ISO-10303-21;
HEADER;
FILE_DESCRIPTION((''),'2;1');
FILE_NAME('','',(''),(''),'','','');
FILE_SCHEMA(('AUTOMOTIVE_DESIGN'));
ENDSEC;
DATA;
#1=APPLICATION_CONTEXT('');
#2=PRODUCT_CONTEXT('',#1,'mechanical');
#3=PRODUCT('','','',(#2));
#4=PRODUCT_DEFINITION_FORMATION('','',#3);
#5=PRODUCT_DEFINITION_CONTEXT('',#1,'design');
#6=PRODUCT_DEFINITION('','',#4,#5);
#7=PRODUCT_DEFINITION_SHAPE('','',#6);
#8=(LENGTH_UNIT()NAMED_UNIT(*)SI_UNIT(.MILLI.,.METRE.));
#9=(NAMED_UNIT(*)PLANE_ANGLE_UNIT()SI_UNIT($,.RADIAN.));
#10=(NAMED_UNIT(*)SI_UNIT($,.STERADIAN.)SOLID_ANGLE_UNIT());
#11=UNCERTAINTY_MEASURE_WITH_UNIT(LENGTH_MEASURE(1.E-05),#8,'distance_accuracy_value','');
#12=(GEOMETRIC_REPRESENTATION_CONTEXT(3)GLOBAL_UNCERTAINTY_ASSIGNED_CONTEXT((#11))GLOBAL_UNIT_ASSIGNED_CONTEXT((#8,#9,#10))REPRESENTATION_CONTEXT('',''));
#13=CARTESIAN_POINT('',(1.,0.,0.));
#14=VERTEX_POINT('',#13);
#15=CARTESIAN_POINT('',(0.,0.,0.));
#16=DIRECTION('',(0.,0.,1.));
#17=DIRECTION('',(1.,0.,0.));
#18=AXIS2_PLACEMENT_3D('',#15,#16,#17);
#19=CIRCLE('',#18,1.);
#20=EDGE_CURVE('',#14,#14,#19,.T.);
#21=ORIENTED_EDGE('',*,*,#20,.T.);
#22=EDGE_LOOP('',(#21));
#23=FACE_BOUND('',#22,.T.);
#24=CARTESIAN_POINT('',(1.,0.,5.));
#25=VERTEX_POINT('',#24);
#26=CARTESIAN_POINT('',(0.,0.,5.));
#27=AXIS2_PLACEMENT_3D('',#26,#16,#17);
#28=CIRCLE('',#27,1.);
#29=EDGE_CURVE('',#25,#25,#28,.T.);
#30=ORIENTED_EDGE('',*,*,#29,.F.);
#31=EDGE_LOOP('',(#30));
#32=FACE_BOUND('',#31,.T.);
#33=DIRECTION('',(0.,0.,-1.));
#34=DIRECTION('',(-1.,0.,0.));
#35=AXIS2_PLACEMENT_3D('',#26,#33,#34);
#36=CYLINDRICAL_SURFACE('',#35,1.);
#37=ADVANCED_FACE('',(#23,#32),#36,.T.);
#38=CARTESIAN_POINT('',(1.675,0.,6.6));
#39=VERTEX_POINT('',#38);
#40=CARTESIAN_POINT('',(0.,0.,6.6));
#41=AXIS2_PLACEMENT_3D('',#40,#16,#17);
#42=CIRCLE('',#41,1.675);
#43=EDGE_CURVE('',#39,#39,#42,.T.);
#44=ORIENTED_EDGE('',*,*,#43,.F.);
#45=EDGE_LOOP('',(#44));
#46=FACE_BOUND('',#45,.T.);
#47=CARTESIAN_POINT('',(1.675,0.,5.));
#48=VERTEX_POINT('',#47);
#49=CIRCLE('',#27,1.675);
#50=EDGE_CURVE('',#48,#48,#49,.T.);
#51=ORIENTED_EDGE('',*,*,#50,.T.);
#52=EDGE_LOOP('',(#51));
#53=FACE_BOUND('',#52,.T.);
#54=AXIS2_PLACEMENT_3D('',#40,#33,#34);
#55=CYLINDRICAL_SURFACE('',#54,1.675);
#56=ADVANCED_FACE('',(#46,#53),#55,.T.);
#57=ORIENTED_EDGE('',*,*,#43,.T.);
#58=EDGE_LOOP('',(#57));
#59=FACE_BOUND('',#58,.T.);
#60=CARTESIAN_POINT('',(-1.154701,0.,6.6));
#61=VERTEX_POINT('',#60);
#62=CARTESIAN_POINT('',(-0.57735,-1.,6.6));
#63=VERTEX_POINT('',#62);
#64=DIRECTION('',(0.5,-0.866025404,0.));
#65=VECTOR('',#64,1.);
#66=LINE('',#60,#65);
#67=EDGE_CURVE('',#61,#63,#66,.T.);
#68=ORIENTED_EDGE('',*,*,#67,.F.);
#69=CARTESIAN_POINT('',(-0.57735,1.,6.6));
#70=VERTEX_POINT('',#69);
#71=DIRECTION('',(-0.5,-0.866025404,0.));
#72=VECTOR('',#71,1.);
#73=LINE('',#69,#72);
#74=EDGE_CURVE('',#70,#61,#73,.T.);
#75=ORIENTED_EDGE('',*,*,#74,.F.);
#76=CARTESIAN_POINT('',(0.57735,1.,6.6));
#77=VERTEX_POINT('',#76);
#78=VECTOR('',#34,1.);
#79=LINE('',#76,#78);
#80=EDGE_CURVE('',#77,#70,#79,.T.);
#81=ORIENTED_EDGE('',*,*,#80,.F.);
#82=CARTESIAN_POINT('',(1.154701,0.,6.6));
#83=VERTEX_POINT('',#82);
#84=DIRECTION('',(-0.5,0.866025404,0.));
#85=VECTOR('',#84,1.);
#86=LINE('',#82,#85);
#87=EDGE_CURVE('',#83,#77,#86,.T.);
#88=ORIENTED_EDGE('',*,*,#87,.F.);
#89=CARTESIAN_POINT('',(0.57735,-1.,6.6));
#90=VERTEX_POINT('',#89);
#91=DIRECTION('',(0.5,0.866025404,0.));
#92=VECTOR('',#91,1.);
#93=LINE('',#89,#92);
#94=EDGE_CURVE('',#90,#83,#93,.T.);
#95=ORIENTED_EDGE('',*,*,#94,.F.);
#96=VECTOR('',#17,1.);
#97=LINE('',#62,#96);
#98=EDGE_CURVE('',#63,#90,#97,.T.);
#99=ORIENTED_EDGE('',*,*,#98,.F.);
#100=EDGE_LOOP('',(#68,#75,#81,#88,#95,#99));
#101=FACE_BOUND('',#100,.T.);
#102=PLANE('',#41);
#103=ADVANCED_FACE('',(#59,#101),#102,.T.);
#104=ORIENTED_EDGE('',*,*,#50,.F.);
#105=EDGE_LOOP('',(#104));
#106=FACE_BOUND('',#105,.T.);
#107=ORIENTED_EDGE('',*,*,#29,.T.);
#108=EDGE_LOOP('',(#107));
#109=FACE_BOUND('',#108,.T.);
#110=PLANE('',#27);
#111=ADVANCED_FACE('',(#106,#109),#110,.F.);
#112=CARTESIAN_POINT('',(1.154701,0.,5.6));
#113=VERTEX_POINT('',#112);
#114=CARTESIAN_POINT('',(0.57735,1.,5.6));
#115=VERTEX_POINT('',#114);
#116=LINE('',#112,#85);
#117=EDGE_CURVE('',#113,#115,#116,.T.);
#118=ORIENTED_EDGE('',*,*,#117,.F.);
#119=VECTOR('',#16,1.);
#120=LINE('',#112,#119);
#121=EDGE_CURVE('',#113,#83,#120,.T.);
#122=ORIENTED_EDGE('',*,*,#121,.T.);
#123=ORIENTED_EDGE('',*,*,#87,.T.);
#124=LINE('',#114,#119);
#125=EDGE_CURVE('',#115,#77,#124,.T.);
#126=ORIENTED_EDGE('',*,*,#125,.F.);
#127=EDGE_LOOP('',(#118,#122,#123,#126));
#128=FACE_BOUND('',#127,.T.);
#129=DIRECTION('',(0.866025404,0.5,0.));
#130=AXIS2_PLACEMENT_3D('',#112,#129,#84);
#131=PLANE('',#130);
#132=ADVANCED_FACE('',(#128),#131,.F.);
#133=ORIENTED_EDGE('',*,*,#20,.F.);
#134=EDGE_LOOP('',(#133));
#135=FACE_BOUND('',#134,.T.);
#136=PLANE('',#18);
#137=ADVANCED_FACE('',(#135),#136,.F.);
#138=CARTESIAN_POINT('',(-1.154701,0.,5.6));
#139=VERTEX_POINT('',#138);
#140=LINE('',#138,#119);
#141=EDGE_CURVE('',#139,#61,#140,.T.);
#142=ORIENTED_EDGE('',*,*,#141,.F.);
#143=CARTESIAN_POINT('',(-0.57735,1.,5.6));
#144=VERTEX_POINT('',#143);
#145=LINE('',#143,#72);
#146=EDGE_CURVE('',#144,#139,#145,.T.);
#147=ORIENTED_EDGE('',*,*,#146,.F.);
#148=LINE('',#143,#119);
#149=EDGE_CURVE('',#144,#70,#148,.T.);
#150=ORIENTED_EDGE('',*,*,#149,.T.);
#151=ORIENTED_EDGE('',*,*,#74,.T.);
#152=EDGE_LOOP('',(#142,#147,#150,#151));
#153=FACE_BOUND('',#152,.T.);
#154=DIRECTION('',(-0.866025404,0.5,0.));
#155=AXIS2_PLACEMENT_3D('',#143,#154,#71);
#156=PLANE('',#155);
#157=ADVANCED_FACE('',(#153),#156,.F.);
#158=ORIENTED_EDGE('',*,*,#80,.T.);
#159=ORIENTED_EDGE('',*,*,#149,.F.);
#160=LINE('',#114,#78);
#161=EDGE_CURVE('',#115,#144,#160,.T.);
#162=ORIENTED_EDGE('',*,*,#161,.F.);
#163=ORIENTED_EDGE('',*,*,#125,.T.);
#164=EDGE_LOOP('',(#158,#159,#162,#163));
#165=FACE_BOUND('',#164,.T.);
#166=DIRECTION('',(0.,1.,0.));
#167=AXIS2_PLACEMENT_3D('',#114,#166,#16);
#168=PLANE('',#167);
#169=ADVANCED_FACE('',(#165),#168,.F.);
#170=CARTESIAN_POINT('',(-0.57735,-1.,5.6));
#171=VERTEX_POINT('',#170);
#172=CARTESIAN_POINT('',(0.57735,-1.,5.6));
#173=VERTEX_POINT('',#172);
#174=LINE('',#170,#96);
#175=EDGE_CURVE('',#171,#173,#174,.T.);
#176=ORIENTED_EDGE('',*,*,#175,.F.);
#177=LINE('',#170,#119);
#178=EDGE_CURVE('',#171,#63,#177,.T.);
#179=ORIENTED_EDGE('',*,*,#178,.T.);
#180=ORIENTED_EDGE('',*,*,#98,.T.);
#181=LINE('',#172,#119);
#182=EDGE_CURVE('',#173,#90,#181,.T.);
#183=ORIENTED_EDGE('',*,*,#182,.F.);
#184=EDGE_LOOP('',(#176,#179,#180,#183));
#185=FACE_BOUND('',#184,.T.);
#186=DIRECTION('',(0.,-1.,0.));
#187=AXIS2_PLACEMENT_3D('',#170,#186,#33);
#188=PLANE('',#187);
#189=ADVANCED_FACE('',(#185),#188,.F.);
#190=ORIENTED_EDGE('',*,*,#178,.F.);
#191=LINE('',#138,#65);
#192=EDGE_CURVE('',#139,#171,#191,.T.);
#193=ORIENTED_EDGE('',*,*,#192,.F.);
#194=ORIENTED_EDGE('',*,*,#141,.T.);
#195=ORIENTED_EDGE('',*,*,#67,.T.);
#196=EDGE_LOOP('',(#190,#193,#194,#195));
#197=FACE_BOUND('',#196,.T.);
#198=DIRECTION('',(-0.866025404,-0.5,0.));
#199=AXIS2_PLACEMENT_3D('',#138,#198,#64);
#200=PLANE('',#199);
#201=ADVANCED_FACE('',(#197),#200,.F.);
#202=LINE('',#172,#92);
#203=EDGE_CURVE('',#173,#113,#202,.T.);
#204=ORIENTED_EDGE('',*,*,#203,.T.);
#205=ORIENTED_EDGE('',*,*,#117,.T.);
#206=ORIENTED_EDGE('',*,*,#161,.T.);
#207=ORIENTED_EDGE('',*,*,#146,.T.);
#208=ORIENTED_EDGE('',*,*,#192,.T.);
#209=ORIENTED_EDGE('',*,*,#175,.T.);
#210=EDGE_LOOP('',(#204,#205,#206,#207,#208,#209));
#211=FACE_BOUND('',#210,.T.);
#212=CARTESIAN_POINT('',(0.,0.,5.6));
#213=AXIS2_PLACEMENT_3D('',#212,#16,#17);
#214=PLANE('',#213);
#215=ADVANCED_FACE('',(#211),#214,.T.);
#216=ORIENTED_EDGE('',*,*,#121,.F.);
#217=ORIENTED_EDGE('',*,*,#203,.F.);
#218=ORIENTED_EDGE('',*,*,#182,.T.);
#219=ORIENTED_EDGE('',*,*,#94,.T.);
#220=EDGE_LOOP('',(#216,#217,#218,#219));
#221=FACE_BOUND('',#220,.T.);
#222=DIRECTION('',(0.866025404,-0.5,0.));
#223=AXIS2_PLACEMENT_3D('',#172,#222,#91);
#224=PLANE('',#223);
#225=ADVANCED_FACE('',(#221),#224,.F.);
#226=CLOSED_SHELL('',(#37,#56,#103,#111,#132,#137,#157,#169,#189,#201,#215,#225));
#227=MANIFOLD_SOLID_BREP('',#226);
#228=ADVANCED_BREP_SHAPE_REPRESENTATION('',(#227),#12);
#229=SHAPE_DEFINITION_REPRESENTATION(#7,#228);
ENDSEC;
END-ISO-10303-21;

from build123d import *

# Parameters (mm, degrees)
ESQUISSE1_R             = 1
BOSS_EXTRU_1_DEPTH      = 5
ESQUISSE2_R             = 1.675
BOSS_EXTRU_2_DEPTH      = 1.6
ENL_V_MAT_EXTRU_1_DEPTH = 1


with BuildPart() as part:
    # Esquisse1 → Boss.-Extru.1 (new body)
    with BuildSketch(Plane.XY):
        Circle(ESQUISSE1_R)
    extrude(amount=BOSS_EXTRU_1_DEPTH)

    # Esquisse2 → Boss.-Extru.2 (add)
    with BuildSketch(Plane.XY.offset(5)):
        Circle(ESQUISSE2_R)
    extrude(amount=BOSS_EXTRU_2_DEPTH)

    # Esquisse3 → Enlèv. mat.-Extru.1 (cut)
    with BuildSketch(Plane.XY.offset(6.6)):
        Polygon((1.154700538, 0), (0.577350269, 1), (-0.577350269, 1), (-1.154700538, 0), (-0.577350269, -1), (0.577350269, -1), align=None)
    extrude(amount=-ENL_V_MAT_EXTRU_1_DEPTH, mode=Mode.SUBTRACT)


solid = part.part
